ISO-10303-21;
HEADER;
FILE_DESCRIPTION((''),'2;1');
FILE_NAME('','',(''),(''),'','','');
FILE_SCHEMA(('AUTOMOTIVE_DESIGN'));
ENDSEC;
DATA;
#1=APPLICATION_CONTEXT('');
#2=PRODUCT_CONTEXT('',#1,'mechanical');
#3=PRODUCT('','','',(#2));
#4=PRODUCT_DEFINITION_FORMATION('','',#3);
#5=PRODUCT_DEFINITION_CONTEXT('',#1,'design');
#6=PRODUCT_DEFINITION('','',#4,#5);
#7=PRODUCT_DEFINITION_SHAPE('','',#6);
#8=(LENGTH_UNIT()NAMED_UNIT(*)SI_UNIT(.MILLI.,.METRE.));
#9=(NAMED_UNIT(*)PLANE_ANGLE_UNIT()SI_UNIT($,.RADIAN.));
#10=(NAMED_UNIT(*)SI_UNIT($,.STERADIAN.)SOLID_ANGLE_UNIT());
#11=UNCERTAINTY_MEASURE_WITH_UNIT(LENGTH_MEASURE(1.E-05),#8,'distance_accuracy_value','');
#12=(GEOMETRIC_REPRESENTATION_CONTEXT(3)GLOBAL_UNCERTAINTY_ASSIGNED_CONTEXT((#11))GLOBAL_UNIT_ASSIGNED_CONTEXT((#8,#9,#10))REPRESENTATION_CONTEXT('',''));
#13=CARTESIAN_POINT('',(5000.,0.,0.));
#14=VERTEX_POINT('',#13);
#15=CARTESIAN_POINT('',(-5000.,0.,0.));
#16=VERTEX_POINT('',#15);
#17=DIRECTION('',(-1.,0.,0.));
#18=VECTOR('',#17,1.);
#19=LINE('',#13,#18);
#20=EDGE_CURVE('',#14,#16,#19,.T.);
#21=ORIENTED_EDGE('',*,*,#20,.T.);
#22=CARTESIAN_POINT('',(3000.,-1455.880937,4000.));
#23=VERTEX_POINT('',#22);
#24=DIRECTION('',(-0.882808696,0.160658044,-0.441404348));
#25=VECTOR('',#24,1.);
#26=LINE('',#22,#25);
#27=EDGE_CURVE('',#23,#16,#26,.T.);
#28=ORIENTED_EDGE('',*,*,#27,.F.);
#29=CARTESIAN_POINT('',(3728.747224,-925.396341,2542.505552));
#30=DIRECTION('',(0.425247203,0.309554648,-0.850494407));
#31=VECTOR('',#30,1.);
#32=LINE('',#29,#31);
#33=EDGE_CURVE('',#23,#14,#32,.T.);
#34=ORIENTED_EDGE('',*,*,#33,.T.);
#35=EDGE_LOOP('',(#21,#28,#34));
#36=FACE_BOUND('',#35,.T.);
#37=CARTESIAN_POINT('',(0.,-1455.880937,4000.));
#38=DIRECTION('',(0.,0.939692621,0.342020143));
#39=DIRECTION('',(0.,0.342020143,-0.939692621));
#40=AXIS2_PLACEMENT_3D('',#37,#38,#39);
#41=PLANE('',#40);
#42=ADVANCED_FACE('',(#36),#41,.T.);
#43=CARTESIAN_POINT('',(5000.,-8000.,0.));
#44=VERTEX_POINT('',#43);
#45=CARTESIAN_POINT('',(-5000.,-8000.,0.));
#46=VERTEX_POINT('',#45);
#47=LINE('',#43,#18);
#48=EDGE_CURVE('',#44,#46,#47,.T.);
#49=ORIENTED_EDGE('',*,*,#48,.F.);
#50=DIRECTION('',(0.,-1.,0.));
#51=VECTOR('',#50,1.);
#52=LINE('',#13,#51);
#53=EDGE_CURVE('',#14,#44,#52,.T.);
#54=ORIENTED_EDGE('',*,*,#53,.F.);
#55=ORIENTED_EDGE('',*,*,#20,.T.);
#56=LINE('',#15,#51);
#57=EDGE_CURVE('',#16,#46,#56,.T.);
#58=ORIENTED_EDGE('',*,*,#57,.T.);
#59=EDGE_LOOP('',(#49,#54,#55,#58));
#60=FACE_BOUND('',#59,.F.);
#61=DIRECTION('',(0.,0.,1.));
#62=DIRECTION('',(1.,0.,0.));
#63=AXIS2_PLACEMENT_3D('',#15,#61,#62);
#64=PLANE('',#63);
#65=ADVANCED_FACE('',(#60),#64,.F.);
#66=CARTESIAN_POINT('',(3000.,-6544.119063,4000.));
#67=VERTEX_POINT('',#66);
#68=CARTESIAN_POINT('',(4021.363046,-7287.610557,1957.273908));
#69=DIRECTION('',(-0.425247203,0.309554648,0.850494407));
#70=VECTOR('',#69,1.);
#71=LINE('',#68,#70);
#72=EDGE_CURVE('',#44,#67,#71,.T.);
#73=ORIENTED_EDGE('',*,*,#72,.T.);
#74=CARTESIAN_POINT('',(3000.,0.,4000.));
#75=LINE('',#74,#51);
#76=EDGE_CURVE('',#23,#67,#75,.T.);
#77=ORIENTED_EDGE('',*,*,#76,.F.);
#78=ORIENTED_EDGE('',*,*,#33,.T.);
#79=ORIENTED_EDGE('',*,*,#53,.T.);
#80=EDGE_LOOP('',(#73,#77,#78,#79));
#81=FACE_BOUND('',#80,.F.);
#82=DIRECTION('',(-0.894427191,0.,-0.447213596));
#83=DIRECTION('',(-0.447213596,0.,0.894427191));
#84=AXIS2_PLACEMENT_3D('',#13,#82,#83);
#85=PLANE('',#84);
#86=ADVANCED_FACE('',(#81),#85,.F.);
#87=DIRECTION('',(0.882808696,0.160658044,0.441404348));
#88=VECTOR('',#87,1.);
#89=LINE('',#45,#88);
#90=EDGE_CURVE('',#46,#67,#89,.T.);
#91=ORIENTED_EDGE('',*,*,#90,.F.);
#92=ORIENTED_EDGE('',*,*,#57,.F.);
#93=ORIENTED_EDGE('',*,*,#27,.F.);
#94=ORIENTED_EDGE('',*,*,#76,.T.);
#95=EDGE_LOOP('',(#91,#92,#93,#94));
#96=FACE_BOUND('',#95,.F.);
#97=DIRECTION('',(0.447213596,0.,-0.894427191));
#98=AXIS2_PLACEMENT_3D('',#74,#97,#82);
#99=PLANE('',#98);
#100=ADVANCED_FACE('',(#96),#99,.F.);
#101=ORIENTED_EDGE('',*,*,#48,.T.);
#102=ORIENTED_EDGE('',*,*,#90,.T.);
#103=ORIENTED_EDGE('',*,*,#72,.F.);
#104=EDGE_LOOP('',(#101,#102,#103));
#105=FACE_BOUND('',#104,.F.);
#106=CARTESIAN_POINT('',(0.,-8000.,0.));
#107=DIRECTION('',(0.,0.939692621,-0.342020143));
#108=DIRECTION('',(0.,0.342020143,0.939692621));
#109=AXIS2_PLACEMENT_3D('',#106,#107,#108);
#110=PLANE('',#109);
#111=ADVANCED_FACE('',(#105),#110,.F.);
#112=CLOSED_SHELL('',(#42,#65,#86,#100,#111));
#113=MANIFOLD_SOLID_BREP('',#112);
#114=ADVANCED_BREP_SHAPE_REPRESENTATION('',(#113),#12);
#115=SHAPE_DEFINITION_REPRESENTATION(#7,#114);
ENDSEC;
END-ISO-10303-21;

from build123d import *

# Parameters (mm, degrees)
F1_DEPTH      = 8000
F3_DEPTH      = 5000.001
F3_DEPTH_BACK = 5000.001


with BuildPart() as f1:
    # F0 (on Front) → F1 (new body)
    with BuildSketch(Plane.XZ):
        Polygon((3000, 4000), (-5000, 0), (5000, 0), align=None)
    extrude(amount=F1_DEPTH)

    # F2 (on Right) → F3 (cut, two sides)
    with BuildSketch(Plane.YZ) as f3_sk:
        Polygon((0, 0), (0, 4000), (-1455.8809370648, 4000), align=None)
        Polygon((-8000, 0), (-6544.1190629352, 4000), (-8000, 4000), align=None)
    extrude(amount=-F3_DEPTH, mode=Mode.SUBTRACT)
    extrude(f3_sk.sketch, amount=F3_DEPTH_BACK, mode=Mode.SUBTRACT)


solid = f1.part
